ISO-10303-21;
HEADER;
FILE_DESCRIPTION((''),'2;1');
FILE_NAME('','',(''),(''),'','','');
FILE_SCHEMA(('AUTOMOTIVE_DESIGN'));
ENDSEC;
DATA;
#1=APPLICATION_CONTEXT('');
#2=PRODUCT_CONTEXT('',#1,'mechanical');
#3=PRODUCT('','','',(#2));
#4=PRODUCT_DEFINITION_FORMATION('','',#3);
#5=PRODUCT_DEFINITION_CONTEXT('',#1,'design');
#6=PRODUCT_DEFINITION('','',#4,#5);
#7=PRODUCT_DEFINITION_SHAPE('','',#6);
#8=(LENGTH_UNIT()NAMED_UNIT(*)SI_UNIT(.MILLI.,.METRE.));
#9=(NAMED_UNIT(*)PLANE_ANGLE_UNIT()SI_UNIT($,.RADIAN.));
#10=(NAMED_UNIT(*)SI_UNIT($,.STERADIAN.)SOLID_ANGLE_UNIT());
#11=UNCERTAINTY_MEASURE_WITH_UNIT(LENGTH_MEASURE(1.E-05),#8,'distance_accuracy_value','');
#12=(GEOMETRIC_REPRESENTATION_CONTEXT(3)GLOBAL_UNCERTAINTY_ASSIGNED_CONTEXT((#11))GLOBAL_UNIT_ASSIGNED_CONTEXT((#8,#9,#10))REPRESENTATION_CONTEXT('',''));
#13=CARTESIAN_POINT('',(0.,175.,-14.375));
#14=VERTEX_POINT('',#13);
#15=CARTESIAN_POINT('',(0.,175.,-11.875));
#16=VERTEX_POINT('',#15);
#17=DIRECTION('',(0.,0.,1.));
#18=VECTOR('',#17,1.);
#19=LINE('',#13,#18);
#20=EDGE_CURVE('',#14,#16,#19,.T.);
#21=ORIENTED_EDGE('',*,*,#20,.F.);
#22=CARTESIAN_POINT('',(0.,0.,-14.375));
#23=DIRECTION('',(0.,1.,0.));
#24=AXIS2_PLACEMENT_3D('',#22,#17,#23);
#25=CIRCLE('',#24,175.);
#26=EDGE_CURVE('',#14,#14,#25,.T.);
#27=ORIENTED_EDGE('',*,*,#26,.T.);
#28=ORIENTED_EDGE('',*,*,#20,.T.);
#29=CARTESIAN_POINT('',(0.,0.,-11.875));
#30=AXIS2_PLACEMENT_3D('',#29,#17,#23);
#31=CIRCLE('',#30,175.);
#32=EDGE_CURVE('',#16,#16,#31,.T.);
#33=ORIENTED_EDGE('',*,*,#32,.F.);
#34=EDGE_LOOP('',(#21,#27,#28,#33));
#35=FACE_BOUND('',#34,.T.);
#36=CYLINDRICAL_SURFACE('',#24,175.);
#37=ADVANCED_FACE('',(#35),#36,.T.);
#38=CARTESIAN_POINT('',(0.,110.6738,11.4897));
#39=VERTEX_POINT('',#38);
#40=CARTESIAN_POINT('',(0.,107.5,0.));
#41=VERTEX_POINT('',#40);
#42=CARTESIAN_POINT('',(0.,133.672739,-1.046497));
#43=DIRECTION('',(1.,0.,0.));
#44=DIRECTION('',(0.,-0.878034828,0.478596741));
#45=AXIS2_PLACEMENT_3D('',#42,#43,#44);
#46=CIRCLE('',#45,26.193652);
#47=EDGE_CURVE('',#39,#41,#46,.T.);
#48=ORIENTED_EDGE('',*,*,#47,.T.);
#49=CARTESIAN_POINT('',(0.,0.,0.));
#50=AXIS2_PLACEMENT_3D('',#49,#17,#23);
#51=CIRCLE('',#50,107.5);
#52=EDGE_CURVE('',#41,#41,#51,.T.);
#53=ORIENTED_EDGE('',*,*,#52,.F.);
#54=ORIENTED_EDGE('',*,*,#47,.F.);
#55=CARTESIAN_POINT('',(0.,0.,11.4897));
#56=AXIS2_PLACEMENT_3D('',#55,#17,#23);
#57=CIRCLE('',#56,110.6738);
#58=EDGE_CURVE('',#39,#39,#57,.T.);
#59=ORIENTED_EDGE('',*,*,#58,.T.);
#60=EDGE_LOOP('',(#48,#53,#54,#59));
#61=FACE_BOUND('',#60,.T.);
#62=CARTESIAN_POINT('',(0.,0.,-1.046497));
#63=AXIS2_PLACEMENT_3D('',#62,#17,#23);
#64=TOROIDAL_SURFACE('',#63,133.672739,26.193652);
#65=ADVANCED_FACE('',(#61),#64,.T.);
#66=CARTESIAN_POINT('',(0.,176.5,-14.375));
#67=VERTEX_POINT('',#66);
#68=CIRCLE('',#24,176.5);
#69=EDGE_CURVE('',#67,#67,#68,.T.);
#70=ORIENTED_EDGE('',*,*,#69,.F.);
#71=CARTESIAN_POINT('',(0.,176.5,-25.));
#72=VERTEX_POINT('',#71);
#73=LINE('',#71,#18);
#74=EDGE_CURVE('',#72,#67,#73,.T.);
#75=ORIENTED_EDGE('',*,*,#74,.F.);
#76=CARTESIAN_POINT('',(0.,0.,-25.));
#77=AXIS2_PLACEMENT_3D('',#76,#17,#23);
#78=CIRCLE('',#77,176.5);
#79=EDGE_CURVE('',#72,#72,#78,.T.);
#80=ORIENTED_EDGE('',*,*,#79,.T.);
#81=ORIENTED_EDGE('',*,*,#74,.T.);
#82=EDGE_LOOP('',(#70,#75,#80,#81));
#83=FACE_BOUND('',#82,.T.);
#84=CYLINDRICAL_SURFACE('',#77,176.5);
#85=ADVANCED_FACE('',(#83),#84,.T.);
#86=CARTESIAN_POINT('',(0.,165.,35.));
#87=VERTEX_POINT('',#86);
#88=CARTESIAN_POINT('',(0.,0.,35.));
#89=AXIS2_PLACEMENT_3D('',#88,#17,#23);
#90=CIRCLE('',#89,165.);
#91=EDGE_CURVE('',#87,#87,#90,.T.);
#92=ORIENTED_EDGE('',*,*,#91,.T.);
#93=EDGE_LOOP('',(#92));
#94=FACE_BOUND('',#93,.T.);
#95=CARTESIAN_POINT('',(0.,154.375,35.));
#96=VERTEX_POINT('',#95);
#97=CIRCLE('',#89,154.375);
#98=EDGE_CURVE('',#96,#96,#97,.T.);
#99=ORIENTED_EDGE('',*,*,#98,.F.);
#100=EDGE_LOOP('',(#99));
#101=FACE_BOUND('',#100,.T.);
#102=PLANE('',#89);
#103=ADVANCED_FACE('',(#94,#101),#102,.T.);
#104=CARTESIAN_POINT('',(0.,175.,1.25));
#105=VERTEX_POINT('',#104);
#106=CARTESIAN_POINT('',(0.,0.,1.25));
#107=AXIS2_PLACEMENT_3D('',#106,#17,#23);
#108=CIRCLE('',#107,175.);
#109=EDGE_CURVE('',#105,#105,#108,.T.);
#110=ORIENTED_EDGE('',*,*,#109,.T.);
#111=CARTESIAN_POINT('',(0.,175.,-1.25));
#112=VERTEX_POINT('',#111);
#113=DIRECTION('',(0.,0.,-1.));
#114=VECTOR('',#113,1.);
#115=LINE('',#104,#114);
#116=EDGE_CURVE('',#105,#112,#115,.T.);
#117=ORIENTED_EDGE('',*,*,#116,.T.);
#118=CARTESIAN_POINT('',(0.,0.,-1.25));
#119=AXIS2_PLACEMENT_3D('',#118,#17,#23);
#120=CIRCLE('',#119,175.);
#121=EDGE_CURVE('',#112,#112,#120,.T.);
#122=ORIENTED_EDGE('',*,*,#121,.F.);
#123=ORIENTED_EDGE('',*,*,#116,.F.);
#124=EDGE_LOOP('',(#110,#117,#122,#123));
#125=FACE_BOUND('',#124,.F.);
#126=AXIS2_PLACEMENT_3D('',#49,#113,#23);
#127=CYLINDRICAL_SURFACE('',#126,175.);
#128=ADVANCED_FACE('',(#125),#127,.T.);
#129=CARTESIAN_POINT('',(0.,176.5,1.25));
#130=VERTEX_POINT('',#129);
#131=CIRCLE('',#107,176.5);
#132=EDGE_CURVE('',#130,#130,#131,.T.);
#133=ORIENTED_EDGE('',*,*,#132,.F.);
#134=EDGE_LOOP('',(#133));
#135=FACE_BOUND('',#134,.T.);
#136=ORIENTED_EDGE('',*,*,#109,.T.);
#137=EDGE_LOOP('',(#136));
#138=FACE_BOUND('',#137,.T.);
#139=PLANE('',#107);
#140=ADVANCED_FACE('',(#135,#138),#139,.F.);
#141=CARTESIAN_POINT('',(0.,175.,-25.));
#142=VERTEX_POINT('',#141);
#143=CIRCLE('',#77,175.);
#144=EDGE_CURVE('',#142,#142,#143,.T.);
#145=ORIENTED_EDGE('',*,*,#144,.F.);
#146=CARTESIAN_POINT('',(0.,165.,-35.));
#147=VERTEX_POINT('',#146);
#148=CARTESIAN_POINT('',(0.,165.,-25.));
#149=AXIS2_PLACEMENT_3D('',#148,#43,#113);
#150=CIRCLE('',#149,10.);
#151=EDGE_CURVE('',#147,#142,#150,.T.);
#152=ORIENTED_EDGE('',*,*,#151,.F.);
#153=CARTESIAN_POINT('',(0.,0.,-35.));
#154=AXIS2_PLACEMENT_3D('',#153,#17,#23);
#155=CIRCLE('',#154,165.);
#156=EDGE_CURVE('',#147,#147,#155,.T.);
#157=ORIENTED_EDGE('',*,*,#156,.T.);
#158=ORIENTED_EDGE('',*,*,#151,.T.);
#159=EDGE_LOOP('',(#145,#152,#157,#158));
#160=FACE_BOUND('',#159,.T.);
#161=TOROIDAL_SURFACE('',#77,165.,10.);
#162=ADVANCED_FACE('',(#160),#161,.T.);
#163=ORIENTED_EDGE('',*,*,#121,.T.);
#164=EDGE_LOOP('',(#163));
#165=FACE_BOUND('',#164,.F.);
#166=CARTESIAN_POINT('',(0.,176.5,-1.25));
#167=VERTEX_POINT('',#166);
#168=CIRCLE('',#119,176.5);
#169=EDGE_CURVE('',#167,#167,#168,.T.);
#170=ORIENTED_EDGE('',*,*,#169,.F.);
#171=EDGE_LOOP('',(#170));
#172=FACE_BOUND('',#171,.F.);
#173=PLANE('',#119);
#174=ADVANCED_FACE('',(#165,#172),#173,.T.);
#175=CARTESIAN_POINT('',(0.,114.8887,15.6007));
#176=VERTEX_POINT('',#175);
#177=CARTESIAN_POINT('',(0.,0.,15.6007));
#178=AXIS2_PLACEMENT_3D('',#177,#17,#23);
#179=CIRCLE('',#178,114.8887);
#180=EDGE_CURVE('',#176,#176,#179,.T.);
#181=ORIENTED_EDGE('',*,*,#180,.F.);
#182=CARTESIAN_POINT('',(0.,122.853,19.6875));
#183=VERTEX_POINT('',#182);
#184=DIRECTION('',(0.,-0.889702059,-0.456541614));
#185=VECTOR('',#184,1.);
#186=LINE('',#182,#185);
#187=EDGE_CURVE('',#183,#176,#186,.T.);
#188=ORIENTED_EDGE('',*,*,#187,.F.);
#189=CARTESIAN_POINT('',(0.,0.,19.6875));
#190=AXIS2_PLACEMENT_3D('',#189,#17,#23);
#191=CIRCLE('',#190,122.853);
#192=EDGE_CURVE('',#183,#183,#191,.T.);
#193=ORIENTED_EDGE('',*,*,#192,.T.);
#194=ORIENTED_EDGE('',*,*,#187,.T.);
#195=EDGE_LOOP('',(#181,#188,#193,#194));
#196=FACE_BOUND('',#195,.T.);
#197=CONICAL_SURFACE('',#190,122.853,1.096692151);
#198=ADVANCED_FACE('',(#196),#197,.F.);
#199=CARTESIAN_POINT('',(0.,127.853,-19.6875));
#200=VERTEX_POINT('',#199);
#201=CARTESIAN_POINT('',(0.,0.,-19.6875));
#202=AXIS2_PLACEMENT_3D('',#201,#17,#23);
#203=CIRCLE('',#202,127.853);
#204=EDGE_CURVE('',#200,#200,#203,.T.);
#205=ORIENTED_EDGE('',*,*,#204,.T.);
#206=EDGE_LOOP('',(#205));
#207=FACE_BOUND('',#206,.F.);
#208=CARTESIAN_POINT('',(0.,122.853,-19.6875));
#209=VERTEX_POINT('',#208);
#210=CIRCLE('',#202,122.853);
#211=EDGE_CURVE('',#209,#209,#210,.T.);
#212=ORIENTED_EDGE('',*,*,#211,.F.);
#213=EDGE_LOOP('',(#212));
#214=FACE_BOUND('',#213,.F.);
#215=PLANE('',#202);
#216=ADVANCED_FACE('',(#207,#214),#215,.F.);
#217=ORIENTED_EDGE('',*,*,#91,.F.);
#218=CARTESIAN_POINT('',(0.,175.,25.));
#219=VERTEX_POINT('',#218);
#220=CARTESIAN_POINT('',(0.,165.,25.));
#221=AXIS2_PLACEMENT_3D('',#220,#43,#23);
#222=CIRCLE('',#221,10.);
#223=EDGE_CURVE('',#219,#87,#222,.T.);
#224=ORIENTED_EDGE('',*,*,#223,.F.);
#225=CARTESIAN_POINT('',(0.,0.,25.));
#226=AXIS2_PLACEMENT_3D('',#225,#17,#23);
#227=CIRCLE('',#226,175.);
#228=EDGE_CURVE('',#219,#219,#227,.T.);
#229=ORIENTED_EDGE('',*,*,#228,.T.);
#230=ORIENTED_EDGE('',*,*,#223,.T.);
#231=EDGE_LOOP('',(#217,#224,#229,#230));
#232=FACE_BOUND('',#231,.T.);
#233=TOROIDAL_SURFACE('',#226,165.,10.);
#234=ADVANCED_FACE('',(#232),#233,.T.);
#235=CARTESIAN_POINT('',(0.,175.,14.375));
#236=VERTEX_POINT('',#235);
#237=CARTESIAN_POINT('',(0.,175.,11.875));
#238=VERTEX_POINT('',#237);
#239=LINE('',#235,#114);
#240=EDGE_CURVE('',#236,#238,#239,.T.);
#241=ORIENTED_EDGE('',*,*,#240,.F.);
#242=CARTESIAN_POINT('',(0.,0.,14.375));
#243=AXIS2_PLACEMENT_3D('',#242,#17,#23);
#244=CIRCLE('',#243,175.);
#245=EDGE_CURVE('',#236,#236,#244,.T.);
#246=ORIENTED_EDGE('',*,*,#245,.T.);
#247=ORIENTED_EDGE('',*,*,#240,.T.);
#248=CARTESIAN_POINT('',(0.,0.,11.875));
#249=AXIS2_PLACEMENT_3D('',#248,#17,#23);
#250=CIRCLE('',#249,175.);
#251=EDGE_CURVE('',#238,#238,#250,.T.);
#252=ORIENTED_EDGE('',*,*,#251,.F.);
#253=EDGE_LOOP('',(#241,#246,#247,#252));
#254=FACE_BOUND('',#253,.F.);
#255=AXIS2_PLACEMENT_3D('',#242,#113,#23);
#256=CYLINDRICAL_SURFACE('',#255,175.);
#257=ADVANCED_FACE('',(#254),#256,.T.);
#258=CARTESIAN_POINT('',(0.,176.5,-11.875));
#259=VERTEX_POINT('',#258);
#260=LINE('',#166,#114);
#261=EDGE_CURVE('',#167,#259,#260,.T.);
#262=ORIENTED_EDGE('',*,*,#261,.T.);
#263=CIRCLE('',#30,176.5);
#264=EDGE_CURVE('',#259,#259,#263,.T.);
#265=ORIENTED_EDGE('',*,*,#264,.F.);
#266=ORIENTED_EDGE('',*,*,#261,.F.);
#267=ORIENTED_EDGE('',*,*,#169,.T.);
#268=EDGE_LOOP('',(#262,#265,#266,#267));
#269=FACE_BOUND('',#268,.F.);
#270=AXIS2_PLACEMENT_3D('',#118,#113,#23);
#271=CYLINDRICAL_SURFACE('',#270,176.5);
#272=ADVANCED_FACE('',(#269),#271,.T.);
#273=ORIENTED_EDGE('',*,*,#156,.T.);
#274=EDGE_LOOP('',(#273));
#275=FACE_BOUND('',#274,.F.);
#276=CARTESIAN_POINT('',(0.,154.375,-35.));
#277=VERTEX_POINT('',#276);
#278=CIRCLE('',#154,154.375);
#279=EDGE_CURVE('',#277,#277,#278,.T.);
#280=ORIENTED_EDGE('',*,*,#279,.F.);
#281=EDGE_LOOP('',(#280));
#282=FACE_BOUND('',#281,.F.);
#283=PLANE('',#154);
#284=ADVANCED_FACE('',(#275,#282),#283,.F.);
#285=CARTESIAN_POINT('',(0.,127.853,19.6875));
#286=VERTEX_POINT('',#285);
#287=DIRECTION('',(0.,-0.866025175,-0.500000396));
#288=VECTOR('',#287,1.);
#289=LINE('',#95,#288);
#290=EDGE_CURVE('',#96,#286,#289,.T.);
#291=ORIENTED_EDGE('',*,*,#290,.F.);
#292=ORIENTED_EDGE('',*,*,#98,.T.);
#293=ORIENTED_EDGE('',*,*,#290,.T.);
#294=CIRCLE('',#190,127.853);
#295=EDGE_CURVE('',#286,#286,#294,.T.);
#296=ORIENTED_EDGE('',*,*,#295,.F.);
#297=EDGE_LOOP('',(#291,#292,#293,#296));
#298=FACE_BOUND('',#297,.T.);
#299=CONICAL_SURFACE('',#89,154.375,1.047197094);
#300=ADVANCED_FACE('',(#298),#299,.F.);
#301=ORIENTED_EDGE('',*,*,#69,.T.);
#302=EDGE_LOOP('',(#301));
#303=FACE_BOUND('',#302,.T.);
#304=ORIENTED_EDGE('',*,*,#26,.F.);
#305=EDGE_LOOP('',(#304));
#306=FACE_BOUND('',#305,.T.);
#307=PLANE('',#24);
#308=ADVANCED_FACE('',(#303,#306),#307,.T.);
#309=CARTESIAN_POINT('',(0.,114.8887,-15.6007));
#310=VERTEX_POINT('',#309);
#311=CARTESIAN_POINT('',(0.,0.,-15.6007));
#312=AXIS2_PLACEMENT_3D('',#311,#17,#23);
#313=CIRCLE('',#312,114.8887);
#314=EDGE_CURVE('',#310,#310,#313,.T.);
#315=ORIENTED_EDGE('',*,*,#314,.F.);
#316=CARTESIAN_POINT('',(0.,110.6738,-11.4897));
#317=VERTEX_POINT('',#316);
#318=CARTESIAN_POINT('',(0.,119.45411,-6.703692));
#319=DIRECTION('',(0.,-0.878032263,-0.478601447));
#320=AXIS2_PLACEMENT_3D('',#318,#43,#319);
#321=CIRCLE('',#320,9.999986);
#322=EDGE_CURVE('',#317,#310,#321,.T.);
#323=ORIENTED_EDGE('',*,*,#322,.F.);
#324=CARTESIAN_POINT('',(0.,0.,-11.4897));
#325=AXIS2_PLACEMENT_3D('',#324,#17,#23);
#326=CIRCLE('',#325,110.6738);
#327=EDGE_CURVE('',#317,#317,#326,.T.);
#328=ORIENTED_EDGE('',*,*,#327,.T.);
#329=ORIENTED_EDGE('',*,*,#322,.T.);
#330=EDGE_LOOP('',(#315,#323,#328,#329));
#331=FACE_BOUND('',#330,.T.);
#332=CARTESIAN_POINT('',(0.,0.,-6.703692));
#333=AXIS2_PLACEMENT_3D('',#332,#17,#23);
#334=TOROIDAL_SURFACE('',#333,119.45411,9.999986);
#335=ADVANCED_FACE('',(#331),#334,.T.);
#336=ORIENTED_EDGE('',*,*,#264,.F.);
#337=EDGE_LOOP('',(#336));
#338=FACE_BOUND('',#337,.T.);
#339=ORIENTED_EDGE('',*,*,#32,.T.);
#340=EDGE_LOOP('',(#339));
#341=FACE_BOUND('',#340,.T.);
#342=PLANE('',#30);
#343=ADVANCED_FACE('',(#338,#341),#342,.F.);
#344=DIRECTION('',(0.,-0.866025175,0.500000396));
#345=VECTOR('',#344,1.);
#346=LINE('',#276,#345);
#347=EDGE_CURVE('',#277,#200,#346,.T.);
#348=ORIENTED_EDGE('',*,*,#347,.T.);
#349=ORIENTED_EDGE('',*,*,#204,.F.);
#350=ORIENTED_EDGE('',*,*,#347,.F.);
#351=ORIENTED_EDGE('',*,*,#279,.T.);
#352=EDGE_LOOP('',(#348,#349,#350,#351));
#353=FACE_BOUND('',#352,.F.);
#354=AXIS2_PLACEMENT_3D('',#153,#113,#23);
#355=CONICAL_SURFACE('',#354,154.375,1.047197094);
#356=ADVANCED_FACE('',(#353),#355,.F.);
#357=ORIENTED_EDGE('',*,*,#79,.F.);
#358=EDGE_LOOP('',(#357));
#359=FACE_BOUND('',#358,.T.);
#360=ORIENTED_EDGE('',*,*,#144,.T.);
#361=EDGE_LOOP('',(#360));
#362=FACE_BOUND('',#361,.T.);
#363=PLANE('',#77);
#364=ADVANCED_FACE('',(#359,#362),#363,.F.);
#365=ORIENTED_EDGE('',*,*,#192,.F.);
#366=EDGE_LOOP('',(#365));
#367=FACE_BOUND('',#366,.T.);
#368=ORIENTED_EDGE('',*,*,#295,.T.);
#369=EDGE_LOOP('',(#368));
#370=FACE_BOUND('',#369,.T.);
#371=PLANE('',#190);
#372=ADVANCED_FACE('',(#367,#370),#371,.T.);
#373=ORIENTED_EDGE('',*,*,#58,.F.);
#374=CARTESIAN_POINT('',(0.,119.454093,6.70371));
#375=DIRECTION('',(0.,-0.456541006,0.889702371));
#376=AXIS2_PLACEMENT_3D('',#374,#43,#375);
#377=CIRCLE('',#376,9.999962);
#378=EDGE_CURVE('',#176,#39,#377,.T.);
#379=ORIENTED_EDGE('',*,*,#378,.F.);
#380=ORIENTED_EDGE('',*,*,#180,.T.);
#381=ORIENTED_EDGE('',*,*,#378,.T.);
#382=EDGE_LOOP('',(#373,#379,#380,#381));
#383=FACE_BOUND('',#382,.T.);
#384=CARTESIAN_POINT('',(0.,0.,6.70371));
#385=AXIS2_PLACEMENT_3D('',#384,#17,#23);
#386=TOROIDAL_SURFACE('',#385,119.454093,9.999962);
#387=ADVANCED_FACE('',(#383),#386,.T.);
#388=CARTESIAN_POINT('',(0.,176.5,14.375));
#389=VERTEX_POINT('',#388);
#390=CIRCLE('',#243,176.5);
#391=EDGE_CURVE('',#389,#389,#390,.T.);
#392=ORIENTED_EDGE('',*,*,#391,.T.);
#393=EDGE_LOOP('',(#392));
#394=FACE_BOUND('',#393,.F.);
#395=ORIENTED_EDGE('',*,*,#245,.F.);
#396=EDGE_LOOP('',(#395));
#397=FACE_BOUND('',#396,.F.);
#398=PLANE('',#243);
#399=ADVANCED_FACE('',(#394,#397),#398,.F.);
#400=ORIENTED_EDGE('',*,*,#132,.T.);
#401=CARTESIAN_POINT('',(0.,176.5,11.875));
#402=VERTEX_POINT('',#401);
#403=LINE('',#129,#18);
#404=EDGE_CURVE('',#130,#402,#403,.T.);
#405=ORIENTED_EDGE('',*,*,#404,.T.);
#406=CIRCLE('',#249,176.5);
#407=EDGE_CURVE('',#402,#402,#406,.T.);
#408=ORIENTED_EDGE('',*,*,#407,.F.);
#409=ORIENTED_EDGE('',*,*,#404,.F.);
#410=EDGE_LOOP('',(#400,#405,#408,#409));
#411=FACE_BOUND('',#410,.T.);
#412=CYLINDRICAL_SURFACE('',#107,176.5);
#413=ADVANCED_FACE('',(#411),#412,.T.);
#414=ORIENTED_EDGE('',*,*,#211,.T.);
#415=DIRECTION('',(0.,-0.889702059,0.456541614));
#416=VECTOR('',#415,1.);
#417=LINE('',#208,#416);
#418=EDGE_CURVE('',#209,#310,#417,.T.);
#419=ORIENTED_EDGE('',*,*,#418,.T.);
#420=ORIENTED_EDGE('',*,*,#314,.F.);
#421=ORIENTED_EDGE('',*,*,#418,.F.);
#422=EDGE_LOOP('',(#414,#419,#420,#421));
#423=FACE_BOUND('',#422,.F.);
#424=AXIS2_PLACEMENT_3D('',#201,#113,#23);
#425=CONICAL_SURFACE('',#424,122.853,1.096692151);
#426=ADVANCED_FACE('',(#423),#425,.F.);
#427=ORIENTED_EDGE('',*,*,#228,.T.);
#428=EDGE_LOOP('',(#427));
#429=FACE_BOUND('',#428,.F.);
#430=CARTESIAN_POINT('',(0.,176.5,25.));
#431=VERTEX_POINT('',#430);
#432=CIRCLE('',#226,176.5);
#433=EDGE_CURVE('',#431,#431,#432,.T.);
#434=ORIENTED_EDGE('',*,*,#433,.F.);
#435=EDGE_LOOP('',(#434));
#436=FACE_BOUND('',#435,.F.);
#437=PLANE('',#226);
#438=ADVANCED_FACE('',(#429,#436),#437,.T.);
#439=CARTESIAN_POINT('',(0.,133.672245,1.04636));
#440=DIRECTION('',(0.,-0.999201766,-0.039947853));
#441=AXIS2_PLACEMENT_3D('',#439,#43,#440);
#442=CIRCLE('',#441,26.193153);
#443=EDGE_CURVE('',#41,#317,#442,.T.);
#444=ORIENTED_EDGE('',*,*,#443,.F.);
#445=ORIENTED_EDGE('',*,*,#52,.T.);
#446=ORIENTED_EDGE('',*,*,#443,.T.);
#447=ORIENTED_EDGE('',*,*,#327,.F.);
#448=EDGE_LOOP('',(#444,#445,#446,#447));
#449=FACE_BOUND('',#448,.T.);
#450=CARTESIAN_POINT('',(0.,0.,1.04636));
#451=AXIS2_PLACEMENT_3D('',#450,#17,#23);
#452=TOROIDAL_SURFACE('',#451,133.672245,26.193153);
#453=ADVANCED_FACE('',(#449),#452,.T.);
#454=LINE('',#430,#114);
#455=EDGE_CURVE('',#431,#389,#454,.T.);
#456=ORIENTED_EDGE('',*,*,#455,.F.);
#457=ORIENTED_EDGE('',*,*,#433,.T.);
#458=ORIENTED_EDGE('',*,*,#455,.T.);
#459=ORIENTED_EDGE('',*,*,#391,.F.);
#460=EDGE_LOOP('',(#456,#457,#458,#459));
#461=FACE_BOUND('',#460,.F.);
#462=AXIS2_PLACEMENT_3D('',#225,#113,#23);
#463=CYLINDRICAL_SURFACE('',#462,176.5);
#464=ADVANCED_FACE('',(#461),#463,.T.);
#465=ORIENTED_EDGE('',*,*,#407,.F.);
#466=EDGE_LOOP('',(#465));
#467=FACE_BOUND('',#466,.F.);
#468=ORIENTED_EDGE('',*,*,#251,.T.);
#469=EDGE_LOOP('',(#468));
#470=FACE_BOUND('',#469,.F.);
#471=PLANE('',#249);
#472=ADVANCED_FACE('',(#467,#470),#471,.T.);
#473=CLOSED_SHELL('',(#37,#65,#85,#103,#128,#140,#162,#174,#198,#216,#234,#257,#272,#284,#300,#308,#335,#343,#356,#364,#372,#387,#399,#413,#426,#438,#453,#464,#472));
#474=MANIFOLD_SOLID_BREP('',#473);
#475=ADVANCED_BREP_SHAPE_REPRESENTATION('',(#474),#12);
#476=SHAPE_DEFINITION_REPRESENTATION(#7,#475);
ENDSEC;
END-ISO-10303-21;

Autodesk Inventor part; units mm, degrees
ref_plane "YZ Plane" through (0, 0, 0) normal (1, 0, 0) x (0, 1, 0)
ref_plane "XZ Plane" through (0, 0, 0) normal (0, 1, 0) x (-1, 0, 0)
ref_plane "XY Plane" through (0, 0, 0) normal (0, 0, 1) x (1, 0, 0)
sketch "Sketch1" plane through (0, 0, 0) normal (0, 0, 1) x (1, 0, 0)
  circle A0 centre (0, 0) radius 175
  circle A1 centre (0, 0) radius 112.5 construction
  circle A2 centre (0, 0) radius 137.5
  dimension "d0" = 350
  dimension "d1" = 225
  dimension "d3" = 275
sketch "Sketch2" plane through (0, 0, 0) normal (1, 0, 0) x (0, 1, 0)
  line L0 (175, 0) -> (-175, 0) projected
  line L1 (137.5, 0) -> (-137.5, 0) projected
  line L2 (165, 35) -> (0, 35)
  arc A0 (175, 25) -> (165, 35) centre (165, 25) ccw
  line L3 (175, 25) -> (176.5, 25)
  line L4 (175, 0) -> (175, 1.25)
  line L5 (175, 1.25) -> (176.5, 1.25)
  line L6 (176.5, 25) -> (176.5, 14.375)
  line L7 (176.5, 14.375) -> (175, 14.375)
  line L8 (175, 14.375) -> (175, 11.875)
  line L9 (175, 11.875) -> (176.5, 11.875)
  line L10 (176.5, 1.25) -> (176.5, 11.875)
  line L11 (176.5, 14.375) -> (176.5, 25)
  line L12 (175, 0) -> (175, 1.25)
  line L13 (175, 11.875) -> (175, 14.375)
  line L14 (165, 35) -> (154.375, 35)
  line L15 (112.5, 0) -> (-112.5, 0) construction
  line L16 (154.375, 35) -> (127.853, 19.6875)
  line L17 (154.375, 35) -> (185, 35) construction
  line L18 (127.853, 19.6875) -> (122.853, 19.6875)
  line L19 (112.5, 0) -> (107.5, 0)
  line L20 (122.853, 19.6875) -> (114.8887, 15.6007)
  arc A1 (110.6738, 11.4897) -> (107.5, 0) centre (133.6725, -1.0464) ccw
  arc A2 (114.8887, 15.6007) -> (110.6738, 11.4897) centre (119.4541, 6.7037) ccw
  line L21 (165, -35) -> (0, -35)
  arc A3 (165, -35) -> (175, -25) centre (165, -25) ccw
  line L22 (175, -25) -> (176.5, -25)
  line L23 (175, 0) -> (175, -1.25)
  line L24 (175, -1.25) -> (176.5, -1.25)
  line L25 (176.5, -25) -> (176.5, -14.375)
  line L26 (176.5, -14.375) -> (175, -14.375)
  line L27 (175, -14.375) -> (175, -11.875)
  line L28 (175, -11.875) -> (176.5, -11.875)
  line L29 (176.5, -1.25) -> (176.5, -11.875)
  line L30 (176.5, -14.375) -> (176.5, -25)
  line L31 (175, 0) -> (175, -1.25)
  line L32 (175, -11.875) -> (175, -14.375)
  line L33 (165, -35) -> (154.375, -35)
  line L34 (154.375, -35) -> (127.853, -19.6875)
  line L35 (154.375, -35) -> (185, -35) construction
  line L36 (127.853, -19.6875) -> (122.853, -19.6875)
  line L37 (122.853, -19.6875) -> (114.8887, -15.6007)
  arc A4 (107.5, 0) -> (110.6738, -11.4897) centre (133.6725, 1.0464) ccw
  arc A5 (110.6738, -11.4897) -> (114.8887, -15.6007) centre (119.4541, -6.7037) ccw
  line L38 (0, -51.8995) -> (0, 51.8995) projected
  point P0 (0, 0)
  point P1 (175, 35)
  point P2 (112.5, 14.375)
  point P3 (175, -35)
  point P4 (112.5, -14.375)
  dimension "d4" = 35
  dimension "d5" = 10
  dimension "d7" = 1.5
  dimension "d8" = 1.25
  dimension "d10" = 2.5
  dimension "d11" = 10.625
  dimension "d12" = 25
  dimension "d13" = 176.5
  dimension "d14" = 10.625
  dimension "d15" = 150
  dimension "d16" = 5
  dimension "d17" = 5
  dimension "d18" = 10
revolve "Revolution1" add sketch "Sketch2" angle 360 about axis through (0, 0, -10) along (0, 0, 1) contours L23 L24 L29 L28 L27 L26 L25 L22 A3 L21 L34 L36 L37 A5 A4 L0 | L0 A1 A2 L20 L18 L16 L2 A0 L3 L6 L7 L8 L9 L10 L5 L4
properties part number "tire"
